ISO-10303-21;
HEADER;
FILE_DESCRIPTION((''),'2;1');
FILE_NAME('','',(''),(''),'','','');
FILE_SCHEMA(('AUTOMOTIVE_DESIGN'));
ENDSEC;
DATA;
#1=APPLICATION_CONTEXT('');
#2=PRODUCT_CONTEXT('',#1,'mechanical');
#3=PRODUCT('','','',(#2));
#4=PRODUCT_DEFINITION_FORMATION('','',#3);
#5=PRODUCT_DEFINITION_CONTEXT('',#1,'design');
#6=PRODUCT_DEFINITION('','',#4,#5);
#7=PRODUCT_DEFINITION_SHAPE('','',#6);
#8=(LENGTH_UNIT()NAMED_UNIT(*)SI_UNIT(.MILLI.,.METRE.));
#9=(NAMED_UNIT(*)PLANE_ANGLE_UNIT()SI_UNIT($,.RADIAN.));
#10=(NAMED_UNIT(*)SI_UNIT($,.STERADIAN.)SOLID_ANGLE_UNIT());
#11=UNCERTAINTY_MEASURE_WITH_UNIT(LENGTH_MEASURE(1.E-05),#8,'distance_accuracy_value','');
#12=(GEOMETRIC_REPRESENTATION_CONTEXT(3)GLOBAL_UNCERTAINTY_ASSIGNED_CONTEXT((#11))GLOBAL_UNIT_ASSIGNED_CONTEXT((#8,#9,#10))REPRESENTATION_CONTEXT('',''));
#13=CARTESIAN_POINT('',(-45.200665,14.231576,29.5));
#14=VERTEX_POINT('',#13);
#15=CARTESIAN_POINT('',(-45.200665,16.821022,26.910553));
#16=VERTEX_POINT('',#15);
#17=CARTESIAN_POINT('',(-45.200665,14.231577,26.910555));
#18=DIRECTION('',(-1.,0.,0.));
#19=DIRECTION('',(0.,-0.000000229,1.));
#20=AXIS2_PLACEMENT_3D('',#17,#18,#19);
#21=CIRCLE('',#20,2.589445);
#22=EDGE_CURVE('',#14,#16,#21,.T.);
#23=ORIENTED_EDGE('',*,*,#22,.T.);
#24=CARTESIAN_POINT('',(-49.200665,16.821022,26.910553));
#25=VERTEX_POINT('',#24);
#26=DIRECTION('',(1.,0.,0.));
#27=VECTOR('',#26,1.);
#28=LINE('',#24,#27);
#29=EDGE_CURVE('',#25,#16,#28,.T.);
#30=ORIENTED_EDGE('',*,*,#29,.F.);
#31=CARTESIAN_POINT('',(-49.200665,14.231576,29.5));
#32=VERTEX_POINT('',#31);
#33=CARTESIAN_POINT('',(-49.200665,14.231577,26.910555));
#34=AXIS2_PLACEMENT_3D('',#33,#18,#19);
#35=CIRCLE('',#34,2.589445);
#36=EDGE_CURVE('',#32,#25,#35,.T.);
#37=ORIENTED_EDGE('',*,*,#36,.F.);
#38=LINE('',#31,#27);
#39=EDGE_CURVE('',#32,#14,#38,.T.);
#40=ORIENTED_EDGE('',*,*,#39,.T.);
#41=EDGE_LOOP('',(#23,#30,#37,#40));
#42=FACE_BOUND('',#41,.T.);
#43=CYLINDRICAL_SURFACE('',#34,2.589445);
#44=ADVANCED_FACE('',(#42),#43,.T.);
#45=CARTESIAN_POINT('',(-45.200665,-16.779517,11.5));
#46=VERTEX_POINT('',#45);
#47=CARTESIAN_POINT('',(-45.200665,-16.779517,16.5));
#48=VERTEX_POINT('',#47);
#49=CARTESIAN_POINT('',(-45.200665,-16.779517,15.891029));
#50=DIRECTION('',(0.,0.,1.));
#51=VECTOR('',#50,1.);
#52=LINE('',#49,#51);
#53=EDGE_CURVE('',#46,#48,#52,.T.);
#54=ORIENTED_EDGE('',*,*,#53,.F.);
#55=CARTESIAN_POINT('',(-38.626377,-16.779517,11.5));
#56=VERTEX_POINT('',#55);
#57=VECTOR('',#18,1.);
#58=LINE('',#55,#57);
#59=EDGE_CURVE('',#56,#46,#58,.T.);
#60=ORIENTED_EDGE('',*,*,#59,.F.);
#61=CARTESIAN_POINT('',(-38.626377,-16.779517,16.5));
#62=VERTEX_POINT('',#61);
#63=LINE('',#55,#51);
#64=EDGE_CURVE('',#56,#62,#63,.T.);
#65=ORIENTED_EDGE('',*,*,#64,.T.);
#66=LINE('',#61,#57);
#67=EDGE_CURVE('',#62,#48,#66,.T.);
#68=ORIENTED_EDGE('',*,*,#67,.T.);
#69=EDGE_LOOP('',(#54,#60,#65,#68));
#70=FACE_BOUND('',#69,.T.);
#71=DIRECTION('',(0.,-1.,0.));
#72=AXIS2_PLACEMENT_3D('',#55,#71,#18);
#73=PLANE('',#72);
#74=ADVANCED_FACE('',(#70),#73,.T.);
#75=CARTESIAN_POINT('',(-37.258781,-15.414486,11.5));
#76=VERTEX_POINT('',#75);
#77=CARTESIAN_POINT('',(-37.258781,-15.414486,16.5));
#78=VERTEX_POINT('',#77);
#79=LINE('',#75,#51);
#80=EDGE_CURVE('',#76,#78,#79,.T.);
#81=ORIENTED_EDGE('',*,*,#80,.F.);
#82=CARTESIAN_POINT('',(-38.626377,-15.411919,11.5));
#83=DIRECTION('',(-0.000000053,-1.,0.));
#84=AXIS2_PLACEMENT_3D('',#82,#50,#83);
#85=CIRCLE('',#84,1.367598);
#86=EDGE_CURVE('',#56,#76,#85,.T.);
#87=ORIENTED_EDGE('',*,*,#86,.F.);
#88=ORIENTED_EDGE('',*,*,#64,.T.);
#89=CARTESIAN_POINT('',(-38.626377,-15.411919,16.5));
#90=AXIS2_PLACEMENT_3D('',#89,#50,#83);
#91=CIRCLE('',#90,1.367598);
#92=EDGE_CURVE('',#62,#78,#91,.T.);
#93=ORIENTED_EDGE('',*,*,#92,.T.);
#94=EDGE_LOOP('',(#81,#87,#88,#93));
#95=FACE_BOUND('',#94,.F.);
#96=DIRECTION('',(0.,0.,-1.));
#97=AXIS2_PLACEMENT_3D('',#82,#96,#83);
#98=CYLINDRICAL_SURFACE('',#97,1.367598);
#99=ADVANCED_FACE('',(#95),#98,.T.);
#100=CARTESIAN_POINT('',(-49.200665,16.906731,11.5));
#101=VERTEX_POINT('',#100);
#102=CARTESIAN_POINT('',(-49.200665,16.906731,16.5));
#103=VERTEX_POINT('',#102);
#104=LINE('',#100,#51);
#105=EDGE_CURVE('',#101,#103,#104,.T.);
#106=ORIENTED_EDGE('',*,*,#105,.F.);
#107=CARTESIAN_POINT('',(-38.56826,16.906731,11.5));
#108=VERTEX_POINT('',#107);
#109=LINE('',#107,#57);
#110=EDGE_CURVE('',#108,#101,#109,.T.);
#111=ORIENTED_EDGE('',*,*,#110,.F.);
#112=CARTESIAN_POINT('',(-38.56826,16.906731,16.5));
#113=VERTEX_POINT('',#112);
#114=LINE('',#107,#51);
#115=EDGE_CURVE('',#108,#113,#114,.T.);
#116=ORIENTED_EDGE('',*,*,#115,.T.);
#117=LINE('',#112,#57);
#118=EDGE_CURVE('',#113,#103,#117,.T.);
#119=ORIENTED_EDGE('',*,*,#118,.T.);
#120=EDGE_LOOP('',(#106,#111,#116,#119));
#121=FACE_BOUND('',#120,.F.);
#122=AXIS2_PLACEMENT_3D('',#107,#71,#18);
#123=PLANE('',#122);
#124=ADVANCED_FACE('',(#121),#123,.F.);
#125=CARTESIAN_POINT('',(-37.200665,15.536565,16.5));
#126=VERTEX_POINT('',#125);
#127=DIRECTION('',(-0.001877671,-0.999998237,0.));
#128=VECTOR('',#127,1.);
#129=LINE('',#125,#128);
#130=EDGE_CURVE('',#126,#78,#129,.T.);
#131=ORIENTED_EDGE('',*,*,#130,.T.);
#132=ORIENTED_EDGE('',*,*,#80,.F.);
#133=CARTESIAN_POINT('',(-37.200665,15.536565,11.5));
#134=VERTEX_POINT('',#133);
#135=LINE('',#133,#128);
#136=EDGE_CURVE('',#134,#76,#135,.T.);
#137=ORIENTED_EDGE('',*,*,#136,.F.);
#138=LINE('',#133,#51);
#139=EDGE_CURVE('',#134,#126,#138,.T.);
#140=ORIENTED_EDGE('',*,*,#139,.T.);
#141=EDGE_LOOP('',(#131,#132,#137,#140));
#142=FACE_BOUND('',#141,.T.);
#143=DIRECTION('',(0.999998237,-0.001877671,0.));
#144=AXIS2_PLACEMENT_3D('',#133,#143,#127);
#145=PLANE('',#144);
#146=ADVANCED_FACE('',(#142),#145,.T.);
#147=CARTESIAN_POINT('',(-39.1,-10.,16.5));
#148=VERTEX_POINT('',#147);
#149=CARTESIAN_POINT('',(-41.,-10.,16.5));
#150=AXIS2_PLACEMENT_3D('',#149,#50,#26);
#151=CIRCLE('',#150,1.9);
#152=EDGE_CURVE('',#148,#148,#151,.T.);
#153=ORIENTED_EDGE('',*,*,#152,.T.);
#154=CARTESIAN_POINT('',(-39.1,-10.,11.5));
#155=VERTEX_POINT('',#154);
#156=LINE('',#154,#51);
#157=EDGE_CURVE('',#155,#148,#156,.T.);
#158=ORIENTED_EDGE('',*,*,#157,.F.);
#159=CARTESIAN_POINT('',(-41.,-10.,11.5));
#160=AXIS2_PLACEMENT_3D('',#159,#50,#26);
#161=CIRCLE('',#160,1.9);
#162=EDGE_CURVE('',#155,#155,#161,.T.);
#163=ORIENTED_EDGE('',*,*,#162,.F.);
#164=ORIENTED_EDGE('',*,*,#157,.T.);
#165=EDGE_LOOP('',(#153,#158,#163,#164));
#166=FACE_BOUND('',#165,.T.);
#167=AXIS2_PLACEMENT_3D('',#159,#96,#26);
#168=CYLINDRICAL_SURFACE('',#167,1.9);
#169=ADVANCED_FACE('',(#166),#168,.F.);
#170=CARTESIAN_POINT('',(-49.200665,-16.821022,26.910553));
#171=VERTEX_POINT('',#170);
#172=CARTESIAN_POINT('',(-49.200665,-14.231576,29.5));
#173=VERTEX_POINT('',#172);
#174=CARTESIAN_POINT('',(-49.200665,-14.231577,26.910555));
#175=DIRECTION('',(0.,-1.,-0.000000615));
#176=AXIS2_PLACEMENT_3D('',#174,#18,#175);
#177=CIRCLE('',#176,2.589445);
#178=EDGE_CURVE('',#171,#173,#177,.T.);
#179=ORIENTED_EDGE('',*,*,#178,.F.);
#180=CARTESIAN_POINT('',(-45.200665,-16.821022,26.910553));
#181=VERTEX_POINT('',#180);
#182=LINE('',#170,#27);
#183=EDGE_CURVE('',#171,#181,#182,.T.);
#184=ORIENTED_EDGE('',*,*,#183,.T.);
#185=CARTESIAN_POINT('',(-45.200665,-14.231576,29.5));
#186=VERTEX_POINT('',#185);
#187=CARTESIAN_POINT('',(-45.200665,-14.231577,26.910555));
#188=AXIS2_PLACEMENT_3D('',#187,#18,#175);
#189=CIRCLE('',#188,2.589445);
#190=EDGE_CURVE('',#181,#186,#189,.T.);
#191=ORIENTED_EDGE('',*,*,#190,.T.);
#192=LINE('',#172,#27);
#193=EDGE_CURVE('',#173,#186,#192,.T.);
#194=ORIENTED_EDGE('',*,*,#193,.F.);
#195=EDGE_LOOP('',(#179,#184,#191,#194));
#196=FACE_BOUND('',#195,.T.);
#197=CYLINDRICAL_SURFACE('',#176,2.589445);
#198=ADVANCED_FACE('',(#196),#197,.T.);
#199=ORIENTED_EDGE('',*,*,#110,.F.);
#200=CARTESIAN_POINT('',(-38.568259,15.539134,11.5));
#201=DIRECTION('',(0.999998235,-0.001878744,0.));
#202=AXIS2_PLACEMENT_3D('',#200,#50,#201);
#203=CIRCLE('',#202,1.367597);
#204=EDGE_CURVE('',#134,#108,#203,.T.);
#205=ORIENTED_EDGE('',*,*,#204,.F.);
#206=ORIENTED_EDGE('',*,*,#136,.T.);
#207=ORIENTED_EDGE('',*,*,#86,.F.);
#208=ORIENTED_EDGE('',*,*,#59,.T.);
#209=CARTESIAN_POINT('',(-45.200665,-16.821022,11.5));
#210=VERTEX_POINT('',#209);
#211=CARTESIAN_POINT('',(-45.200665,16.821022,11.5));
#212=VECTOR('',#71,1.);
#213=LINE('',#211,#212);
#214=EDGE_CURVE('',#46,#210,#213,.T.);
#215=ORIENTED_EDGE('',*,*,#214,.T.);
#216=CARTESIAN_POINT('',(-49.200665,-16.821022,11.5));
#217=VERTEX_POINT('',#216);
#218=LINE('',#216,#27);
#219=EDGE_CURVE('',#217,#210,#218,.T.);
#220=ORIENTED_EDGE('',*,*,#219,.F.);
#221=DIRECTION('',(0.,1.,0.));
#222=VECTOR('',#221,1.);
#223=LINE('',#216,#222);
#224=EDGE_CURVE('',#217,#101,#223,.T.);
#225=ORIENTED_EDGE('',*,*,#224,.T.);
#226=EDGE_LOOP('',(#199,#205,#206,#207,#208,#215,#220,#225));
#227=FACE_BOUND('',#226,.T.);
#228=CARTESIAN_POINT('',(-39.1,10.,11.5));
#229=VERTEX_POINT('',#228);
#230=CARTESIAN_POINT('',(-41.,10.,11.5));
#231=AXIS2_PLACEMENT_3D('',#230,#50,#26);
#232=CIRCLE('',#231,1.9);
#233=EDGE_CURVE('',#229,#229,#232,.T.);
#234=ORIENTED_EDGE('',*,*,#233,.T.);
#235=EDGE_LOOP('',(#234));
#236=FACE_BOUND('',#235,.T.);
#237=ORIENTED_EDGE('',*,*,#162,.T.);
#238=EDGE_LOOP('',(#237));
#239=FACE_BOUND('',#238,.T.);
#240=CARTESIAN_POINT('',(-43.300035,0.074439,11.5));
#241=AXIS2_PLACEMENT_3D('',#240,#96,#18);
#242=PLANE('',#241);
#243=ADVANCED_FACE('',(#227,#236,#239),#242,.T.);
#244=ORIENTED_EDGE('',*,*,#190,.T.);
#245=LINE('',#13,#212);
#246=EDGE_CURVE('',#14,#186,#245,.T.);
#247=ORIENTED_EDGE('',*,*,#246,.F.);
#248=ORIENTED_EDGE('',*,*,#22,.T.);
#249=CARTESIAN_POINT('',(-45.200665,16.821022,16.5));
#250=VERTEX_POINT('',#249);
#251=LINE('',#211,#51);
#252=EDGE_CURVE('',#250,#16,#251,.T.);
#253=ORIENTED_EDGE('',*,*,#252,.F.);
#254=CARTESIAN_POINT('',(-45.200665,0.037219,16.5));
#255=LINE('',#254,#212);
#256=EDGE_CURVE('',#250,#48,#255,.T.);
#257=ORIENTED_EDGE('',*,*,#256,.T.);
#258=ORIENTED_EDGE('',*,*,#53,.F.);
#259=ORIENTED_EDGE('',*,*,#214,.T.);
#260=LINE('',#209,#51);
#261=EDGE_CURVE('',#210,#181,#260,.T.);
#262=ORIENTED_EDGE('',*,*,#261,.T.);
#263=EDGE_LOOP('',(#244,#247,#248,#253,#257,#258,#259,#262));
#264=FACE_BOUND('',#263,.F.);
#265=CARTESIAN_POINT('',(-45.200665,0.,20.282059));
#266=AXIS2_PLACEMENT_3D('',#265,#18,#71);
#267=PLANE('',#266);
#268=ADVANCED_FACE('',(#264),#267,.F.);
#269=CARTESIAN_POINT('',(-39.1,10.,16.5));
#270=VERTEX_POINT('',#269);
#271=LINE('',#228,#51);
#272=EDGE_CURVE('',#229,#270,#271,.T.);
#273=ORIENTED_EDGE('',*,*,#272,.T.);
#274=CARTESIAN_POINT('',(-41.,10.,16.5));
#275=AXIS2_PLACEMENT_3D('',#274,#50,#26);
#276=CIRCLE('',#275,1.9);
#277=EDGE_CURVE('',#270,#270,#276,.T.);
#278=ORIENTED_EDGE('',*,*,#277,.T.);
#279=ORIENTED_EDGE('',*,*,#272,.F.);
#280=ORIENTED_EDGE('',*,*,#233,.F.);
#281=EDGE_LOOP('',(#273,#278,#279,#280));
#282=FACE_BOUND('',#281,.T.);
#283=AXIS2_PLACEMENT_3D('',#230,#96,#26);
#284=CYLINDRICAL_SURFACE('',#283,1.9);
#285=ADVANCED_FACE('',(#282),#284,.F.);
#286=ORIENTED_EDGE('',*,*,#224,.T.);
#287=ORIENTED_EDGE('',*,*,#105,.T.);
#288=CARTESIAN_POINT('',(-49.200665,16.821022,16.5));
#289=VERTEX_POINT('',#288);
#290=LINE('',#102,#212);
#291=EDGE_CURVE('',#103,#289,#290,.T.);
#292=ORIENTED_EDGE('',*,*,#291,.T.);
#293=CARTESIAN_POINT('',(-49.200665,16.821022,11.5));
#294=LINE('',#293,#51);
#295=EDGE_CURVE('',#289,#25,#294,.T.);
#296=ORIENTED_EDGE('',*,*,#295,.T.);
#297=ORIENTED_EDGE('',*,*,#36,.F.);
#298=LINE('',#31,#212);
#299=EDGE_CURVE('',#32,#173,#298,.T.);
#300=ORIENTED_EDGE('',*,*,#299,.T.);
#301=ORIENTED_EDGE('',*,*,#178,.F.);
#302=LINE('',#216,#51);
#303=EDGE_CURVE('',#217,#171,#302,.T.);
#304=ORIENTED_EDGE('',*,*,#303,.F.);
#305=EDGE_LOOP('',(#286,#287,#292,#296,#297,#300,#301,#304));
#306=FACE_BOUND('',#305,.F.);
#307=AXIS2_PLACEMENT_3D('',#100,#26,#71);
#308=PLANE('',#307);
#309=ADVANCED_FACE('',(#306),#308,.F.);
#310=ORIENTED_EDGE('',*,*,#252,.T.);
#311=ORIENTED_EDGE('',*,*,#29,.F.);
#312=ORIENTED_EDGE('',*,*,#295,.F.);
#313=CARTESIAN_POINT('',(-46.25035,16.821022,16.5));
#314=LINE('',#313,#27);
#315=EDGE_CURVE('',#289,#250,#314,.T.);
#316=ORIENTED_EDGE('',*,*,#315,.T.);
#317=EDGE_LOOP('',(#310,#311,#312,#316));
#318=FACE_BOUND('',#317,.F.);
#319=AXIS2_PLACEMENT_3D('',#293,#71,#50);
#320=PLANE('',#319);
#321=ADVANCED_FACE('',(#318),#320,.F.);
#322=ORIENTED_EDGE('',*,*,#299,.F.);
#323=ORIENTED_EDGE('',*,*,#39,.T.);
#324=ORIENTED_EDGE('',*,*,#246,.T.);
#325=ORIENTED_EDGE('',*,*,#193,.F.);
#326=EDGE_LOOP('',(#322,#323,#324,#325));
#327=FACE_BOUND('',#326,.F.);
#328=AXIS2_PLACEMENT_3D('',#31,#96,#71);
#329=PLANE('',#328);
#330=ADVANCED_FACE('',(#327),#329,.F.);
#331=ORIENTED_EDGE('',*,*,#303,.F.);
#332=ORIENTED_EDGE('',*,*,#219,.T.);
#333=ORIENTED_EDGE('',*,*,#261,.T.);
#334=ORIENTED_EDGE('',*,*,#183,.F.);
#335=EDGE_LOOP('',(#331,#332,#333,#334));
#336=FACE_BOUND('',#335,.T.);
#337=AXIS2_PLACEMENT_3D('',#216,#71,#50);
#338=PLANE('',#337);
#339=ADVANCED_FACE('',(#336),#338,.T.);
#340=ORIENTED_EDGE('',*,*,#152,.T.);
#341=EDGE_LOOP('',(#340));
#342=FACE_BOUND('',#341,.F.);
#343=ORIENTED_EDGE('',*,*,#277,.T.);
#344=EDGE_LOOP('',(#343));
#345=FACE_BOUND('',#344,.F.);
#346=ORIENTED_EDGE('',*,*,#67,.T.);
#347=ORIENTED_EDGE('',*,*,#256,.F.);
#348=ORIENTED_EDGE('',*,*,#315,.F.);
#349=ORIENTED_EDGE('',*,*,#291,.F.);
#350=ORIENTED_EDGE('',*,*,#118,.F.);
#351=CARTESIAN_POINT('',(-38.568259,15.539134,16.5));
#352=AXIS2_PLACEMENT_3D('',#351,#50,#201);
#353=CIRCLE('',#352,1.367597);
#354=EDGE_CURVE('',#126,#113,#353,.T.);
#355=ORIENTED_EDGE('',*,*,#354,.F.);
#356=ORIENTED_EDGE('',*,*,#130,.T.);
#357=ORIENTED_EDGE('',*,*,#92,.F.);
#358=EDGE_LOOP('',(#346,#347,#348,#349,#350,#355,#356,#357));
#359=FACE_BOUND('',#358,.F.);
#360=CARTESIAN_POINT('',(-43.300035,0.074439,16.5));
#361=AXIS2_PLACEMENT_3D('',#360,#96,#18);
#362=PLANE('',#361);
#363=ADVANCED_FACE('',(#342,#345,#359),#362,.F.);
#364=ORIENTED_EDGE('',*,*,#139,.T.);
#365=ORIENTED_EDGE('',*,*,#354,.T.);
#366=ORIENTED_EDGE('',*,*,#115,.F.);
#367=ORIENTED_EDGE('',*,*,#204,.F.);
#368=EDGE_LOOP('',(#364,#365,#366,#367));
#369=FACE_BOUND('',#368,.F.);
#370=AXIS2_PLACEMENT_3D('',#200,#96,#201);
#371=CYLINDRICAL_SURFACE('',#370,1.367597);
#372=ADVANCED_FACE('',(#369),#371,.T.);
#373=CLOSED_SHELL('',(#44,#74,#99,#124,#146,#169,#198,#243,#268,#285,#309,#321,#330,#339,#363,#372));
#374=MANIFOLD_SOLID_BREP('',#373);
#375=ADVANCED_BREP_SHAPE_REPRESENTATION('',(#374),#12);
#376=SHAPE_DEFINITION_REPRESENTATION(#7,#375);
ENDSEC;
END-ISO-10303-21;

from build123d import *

# Parameters (mm, degrees)
SKETCH013_R      = 1.9
EXTRUDE012_DEPTH = 5
EXTRUDE013_DEPTH = 4


with BuildPart() as extrude012:
    # Sketch013 → Extrude012 (new body)
    with BuildSketch(Plane.XY):
        with BuildLine():
            Line((-37.200665, 15.536565), (-37.258781, -15.414486))
            ThreePointArc((-38.626377, -16.779517), (-37.660247, -16.379864), (-37.258781, -15.414486))
            Line((-38.626377, -16.779517), (-49.200665, -16.779517))
            Line((-49.200665, 16.906731), (-49.200665, -16.779517))
            Line((-38.56826, 16.906731), (-49.200665, 16.906731))
            ThreePointArc((-37.200665, 15.536565), (-37.600315, 16.505263), (-38.56826, 16.906731))
        make_face()
        with Locations((-41, 10)):
            Circle(SKETCH013_R, mode=Mode.SUBTRACT)
        with Locations((-41, -10)):
            Circle(SKETCH013_R, mode=Mode.SUBTRACT)
    extrude(amount=EXTRUDE012_DEPTH)


with BuildPart() as extrude012_1:
    # Extrude012 placement: moved
    add(extrude012.part.moved(Location((0, 0, 11.5))))


with BuildPart() as stop_switch_toucher:
    # Sketch014 (on Face5 of Extrude012) → Extrude013 (new body)
    with BuildSketch(Plane(origin=(-49.200665, 0, 11.5), x_dir=(0, -1, 0), z_dir=(-1, 0, 0))):
        with BuildLine():
            Line((-16.821022, 0), (16.821022, 0))
            Line((16.821022, 0), (16.821022, 15.410553))
            ThreePointArc((16.821022, 15.410553), (16.062591, 17.241569), (14.231576, 18))
            Line((-14.231576, 18), (14.231576, 18))
            ThreePointArc((-14.231576, 18), (-16.062591, 17.241569), (-16.821022, 15.410553))
            Line((-16.821022, 0), (-16.821022, 15.410553))
        make_face()
    extrude(amount=-EXTRUDE013_DEPTH)

    # Fusion013: union Extrude012
    add(extrude012_1.part)


solid = stop_switch_toucher.part
